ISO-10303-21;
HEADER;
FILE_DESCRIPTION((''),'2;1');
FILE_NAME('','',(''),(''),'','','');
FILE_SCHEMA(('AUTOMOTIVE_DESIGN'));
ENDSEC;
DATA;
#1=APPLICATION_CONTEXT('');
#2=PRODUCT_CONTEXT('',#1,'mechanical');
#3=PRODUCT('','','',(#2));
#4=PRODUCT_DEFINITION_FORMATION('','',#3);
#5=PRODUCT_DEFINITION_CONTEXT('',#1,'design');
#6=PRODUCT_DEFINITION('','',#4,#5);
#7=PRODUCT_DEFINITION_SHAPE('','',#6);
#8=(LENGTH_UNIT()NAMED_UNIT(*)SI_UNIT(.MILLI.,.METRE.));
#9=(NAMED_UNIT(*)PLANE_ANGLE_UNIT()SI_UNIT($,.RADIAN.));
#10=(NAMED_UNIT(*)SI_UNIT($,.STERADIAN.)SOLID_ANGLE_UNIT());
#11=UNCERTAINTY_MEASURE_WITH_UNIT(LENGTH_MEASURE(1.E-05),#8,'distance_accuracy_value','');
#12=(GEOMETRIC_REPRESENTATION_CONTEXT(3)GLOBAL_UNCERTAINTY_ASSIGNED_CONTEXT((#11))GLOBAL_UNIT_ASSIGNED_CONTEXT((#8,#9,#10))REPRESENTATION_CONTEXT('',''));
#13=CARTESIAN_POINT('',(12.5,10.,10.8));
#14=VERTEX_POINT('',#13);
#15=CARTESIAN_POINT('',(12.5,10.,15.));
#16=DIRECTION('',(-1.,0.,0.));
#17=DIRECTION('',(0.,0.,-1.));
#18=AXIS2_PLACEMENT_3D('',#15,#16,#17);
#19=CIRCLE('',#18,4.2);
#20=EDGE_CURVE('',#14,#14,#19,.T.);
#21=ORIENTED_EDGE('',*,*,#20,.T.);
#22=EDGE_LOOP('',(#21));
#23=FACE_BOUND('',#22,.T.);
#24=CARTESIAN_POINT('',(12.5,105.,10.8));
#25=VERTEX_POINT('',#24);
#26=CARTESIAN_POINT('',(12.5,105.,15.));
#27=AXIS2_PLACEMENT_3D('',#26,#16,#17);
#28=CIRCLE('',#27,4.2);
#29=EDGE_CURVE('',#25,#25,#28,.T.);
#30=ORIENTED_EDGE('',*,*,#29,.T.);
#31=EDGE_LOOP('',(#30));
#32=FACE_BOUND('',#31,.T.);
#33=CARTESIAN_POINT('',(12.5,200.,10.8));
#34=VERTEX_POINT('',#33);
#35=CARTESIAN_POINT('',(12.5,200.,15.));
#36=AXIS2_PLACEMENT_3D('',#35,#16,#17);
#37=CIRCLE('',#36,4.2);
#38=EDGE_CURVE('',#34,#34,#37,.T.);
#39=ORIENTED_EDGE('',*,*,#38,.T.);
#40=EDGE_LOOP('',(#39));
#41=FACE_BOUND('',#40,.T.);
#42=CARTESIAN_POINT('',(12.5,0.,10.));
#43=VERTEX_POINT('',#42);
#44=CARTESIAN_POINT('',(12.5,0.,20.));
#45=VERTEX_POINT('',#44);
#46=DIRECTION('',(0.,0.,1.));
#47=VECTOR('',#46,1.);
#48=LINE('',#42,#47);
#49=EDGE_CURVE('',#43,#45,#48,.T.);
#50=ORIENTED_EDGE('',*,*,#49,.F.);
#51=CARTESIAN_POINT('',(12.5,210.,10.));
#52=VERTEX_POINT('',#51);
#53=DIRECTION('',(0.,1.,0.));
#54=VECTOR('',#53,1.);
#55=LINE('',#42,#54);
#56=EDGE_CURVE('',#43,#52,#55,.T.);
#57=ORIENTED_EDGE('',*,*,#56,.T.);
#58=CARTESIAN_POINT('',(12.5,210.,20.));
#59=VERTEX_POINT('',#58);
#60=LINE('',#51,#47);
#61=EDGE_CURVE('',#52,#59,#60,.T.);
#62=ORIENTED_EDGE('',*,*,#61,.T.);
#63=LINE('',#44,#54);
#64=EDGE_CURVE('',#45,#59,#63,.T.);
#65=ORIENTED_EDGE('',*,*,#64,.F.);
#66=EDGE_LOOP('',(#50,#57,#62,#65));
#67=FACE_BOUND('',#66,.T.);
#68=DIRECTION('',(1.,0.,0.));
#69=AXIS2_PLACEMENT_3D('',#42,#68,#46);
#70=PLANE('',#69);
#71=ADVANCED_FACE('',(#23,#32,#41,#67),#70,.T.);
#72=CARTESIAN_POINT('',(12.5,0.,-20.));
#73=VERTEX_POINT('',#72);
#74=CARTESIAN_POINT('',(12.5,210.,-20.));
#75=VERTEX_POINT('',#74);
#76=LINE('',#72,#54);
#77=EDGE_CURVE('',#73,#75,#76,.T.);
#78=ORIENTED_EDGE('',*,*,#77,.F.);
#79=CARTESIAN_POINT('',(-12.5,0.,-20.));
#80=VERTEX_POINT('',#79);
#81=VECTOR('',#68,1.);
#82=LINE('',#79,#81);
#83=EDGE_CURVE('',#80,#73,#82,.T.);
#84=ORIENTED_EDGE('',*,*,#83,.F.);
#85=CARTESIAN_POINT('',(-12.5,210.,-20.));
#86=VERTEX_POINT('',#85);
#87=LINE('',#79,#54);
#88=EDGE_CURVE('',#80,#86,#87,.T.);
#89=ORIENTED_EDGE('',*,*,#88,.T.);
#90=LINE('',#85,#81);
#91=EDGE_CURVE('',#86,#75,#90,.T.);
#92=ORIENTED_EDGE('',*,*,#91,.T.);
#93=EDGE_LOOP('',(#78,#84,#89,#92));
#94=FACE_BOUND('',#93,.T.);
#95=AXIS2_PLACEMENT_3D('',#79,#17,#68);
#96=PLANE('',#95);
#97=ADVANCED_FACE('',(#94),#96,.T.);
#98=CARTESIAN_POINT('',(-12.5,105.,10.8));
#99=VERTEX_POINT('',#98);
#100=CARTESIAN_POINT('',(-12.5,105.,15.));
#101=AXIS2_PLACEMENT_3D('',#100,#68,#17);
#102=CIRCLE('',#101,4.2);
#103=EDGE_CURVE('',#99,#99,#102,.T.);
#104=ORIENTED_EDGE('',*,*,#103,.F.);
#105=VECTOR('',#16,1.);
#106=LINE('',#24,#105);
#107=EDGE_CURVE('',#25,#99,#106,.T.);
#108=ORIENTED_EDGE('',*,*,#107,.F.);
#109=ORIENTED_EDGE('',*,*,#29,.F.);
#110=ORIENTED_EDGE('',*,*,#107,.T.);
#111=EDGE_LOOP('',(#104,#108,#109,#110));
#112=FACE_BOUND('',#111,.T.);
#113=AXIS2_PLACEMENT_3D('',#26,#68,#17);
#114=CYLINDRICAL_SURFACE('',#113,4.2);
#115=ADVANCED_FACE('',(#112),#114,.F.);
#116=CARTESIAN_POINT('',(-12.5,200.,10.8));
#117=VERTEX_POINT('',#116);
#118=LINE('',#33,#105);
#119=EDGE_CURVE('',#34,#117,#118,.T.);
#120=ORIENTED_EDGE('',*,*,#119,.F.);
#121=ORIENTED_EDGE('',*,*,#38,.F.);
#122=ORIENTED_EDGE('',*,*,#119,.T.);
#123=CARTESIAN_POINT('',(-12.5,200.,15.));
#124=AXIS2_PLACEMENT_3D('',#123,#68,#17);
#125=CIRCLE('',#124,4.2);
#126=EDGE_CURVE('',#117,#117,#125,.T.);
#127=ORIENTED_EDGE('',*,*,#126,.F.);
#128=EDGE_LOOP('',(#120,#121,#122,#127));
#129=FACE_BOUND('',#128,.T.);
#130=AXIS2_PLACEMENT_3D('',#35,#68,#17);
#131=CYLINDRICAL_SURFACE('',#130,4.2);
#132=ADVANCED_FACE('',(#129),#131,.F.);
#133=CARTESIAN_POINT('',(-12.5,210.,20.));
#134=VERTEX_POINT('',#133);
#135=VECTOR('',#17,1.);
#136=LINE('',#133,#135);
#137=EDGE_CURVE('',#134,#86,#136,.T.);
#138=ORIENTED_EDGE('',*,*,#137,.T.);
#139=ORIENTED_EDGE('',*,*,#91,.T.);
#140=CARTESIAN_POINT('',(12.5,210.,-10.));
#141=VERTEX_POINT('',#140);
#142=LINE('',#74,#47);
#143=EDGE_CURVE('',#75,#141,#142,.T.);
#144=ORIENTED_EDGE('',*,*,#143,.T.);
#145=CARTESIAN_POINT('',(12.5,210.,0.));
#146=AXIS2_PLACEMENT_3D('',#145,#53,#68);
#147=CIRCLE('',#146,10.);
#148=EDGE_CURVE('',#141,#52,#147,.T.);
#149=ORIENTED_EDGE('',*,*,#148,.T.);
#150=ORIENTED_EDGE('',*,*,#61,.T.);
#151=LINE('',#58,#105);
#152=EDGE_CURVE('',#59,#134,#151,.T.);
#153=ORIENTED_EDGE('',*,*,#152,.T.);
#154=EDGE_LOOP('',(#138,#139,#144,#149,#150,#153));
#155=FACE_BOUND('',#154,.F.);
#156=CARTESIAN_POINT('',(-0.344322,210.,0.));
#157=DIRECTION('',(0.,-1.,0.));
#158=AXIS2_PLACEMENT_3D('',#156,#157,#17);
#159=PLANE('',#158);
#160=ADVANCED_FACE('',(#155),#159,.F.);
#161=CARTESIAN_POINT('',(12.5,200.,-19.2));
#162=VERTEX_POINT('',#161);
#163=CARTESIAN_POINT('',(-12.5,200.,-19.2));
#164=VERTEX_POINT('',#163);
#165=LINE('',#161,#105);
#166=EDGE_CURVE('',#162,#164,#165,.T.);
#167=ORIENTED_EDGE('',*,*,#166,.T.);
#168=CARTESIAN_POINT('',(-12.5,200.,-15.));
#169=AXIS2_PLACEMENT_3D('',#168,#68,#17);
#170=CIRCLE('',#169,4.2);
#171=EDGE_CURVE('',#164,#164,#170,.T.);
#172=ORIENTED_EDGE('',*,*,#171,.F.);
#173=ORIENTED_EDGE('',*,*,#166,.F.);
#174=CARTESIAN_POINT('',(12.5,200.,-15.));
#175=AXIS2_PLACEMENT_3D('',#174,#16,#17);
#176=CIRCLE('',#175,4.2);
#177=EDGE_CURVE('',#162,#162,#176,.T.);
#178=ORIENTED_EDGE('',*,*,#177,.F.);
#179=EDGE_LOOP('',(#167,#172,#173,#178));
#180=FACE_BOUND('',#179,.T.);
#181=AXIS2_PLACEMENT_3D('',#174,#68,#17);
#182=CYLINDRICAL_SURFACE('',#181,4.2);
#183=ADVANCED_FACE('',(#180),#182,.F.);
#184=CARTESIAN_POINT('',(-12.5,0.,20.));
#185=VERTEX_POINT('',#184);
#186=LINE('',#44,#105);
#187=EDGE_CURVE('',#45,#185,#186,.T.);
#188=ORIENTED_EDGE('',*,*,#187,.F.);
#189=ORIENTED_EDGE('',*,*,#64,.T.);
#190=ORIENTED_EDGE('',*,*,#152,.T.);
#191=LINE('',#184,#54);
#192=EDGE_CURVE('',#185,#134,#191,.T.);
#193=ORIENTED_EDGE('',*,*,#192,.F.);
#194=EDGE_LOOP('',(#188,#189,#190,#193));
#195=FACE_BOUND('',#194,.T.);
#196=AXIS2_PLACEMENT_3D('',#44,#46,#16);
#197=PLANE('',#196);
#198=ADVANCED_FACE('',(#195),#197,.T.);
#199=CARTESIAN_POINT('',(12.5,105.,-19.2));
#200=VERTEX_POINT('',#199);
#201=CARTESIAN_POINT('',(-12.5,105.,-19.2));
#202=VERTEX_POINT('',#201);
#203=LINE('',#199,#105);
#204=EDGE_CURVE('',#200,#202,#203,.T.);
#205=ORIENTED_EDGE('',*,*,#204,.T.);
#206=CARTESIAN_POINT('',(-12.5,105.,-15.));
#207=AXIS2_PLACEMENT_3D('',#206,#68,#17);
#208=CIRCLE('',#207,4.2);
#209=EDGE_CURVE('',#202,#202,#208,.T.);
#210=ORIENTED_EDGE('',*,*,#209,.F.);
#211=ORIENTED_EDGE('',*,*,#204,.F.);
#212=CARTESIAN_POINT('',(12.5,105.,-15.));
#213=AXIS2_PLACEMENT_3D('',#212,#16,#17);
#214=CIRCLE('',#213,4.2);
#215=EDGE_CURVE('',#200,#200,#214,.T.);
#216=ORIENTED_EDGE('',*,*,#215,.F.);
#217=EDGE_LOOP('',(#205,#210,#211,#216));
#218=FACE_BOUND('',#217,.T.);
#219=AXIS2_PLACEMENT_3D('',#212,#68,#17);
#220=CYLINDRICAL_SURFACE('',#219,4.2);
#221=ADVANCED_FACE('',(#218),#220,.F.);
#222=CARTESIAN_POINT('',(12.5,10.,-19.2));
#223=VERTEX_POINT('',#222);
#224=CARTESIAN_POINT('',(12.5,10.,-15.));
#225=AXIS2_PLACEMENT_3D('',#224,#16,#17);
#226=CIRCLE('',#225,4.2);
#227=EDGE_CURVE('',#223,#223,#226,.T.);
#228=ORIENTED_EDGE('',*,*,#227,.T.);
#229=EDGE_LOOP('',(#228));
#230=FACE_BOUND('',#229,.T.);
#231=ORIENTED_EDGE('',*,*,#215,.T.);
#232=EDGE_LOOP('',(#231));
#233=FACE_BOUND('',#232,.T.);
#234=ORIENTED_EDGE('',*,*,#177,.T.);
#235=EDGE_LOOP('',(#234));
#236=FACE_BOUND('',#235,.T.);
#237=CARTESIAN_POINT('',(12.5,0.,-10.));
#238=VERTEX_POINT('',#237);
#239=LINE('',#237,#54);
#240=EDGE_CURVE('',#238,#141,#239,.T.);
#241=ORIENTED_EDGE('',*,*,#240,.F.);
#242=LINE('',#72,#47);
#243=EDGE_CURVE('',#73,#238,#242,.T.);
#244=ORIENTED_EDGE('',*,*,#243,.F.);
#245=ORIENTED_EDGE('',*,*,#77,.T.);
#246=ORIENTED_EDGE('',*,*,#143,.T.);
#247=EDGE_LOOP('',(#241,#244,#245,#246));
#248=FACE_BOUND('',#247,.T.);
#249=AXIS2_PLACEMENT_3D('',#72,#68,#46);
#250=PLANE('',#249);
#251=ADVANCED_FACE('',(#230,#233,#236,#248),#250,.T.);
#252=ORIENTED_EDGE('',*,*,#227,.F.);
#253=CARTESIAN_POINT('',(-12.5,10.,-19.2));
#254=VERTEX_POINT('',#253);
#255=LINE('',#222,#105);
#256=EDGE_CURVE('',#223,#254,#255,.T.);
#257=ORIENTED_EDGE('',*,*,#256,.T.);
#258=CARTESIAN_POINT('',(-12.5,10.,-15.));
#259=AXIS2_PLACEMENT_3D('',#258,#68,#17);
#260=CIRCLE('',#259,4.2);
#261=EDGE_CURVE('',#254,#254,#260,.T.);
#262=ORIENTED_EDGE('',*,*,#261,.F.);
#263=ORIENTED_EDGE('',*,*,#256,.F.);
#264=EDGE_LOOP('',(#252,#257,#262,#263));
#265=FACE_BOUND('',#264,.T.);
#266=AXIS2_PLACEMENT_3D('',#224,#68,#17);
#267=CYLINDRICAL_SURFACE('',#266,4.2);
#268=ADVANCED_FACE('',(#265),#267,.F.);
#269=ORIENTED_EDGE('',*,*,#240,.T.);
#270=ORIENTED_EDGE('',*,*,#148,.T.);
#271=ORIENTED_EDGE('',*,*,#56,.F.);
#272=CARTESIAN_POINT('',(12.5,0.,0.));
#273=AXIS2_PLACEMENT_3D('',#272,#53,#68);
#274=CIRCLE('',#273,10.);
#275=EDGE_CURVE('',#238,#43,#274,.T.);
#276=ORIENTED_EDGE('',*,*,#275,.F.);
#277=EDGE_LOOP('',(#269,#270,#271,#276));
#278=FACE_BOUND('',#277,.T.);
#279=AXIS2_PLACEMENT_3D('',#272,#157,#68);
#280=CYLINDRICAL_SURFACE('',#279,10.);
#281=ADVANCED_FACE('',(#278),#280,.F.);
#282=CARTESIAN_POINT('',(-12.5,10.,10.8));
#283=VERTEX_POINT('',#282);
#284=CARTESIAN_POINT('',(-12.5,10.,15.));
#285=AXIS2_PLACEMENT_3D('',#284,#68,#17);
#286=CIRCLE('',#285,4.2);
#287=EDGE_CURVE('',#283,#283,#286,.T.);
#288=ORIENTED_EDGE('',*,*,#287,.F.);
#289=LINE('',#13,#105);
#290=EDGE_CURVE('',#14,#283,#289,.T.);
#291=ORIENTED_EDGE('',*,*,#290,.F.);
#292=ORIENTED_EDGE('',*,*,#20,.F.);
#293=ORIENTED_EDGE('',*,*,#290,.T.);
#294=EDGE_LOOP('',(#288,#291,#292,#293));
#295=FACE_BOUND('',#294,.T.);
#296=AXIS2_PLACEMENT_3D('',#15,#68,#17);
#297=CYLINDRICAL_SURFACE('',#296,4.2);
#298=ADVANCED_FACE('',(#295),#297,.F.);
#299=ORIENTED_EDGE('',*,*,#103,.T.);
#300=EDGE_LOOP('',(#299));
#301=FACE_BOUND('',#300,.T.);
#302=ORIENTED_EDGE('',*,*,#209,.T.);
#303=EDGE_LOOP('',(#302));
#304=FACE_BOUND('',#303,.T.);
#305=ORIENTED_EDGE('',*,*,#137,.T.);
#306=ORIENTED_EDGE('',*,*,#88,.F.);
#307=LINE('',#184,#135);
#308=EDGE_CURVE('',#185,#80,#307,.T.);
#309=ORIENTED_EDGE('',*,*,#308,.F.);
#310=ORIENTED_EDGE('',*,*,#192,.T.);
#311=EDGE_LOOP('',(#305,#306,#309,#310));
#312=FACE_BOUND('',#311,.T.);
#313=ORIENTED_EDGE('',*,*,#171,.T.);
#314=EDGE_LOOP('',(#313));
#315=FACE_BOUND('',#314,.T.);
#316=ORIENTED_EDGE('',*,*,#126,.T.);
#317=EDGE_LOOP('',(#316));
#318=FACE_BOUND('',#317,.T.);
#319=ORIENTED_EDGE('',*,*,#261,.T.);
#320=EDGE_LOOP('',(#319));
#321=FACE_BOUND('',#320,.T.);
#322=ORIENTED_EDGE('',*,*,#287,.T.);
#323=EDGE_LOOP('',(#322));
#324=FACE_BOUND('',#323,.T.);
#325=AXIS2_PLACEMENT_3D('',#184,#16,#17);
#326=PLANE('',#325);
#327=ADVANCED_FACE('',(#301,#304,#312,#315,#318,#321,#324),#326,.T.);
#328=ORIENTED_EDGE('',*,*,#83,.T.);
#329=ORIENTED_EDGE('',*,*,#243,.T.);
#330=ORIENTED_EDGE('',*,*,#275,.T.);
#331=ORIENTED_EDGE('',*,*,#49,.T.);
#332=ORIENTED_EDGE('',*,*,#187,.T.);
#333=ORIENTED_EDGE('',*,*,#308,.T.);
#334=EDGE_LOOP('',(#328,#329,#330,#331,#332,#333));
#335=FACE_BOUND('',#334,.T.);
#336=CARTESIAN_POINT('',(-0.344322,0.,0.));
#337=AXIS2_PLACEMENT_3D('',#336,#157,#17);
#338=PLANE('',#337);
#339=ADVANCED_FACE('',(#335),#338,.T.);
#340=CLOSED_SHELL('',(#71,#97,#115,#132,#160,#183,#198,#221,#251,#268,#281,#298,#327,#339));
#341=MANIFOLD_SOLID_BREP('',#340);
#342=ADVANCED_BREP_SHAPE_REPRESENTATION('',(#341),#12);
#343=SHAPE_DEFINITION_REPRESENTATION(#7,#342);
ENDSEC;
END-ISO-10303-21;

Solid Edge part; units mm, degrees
sketch "Sketch1" plane through (0, 0, 0) normal (0, -1, 0) x (1, 0, 0)
  line L0 (-12.5, -20) -> (12.5, -20)
  line L1 (12.5, -20) -> (12.5, -10)
  line L2 (12.5, 10) -> (12.5, 20)
  line L3 (12.5, 20) -> (-12.5, 20)
  line L4 (-12.5, 20) -> (-12.5, -20)
  arc A0 (12.5, -10) -> (12.5, 10) centre (12.5, 0) cw
  dimension "D1" = 10
  dimension "D2" = 25
  dimension "D3" = 20
  dimension "D4" = 40
  dimension "D5" = 10
extrude "Protrusion1" add sketch "Sketch1" against normal blind 210
hole "Hole_1" at (12.5, 10, 15) direction (-1, 0, 0) diameter 8.4 end up to next
hole "Hole1" at (12.5, 10, -15) direction (-1, 0, 0) diameter 8.4 end up to next
hole "Hole2" at (12.5, 105, -15) direction (-1, 0, 0) diameter 8.4 end up to next
hole "Hole3" at (12.5, 105, 15) direction (-1, 0, 0) diameter 8.4 end up to next
hole "Hole4" at (12.5, 200, 15) direction (-1, 0, 0) diameter 8.4 end up to next
hole "Hole5" at (12.5, 200, -15) direction (-1, 0, 0) diameter 8.4 end up to next
properties material "Stainless Steel, 420"
